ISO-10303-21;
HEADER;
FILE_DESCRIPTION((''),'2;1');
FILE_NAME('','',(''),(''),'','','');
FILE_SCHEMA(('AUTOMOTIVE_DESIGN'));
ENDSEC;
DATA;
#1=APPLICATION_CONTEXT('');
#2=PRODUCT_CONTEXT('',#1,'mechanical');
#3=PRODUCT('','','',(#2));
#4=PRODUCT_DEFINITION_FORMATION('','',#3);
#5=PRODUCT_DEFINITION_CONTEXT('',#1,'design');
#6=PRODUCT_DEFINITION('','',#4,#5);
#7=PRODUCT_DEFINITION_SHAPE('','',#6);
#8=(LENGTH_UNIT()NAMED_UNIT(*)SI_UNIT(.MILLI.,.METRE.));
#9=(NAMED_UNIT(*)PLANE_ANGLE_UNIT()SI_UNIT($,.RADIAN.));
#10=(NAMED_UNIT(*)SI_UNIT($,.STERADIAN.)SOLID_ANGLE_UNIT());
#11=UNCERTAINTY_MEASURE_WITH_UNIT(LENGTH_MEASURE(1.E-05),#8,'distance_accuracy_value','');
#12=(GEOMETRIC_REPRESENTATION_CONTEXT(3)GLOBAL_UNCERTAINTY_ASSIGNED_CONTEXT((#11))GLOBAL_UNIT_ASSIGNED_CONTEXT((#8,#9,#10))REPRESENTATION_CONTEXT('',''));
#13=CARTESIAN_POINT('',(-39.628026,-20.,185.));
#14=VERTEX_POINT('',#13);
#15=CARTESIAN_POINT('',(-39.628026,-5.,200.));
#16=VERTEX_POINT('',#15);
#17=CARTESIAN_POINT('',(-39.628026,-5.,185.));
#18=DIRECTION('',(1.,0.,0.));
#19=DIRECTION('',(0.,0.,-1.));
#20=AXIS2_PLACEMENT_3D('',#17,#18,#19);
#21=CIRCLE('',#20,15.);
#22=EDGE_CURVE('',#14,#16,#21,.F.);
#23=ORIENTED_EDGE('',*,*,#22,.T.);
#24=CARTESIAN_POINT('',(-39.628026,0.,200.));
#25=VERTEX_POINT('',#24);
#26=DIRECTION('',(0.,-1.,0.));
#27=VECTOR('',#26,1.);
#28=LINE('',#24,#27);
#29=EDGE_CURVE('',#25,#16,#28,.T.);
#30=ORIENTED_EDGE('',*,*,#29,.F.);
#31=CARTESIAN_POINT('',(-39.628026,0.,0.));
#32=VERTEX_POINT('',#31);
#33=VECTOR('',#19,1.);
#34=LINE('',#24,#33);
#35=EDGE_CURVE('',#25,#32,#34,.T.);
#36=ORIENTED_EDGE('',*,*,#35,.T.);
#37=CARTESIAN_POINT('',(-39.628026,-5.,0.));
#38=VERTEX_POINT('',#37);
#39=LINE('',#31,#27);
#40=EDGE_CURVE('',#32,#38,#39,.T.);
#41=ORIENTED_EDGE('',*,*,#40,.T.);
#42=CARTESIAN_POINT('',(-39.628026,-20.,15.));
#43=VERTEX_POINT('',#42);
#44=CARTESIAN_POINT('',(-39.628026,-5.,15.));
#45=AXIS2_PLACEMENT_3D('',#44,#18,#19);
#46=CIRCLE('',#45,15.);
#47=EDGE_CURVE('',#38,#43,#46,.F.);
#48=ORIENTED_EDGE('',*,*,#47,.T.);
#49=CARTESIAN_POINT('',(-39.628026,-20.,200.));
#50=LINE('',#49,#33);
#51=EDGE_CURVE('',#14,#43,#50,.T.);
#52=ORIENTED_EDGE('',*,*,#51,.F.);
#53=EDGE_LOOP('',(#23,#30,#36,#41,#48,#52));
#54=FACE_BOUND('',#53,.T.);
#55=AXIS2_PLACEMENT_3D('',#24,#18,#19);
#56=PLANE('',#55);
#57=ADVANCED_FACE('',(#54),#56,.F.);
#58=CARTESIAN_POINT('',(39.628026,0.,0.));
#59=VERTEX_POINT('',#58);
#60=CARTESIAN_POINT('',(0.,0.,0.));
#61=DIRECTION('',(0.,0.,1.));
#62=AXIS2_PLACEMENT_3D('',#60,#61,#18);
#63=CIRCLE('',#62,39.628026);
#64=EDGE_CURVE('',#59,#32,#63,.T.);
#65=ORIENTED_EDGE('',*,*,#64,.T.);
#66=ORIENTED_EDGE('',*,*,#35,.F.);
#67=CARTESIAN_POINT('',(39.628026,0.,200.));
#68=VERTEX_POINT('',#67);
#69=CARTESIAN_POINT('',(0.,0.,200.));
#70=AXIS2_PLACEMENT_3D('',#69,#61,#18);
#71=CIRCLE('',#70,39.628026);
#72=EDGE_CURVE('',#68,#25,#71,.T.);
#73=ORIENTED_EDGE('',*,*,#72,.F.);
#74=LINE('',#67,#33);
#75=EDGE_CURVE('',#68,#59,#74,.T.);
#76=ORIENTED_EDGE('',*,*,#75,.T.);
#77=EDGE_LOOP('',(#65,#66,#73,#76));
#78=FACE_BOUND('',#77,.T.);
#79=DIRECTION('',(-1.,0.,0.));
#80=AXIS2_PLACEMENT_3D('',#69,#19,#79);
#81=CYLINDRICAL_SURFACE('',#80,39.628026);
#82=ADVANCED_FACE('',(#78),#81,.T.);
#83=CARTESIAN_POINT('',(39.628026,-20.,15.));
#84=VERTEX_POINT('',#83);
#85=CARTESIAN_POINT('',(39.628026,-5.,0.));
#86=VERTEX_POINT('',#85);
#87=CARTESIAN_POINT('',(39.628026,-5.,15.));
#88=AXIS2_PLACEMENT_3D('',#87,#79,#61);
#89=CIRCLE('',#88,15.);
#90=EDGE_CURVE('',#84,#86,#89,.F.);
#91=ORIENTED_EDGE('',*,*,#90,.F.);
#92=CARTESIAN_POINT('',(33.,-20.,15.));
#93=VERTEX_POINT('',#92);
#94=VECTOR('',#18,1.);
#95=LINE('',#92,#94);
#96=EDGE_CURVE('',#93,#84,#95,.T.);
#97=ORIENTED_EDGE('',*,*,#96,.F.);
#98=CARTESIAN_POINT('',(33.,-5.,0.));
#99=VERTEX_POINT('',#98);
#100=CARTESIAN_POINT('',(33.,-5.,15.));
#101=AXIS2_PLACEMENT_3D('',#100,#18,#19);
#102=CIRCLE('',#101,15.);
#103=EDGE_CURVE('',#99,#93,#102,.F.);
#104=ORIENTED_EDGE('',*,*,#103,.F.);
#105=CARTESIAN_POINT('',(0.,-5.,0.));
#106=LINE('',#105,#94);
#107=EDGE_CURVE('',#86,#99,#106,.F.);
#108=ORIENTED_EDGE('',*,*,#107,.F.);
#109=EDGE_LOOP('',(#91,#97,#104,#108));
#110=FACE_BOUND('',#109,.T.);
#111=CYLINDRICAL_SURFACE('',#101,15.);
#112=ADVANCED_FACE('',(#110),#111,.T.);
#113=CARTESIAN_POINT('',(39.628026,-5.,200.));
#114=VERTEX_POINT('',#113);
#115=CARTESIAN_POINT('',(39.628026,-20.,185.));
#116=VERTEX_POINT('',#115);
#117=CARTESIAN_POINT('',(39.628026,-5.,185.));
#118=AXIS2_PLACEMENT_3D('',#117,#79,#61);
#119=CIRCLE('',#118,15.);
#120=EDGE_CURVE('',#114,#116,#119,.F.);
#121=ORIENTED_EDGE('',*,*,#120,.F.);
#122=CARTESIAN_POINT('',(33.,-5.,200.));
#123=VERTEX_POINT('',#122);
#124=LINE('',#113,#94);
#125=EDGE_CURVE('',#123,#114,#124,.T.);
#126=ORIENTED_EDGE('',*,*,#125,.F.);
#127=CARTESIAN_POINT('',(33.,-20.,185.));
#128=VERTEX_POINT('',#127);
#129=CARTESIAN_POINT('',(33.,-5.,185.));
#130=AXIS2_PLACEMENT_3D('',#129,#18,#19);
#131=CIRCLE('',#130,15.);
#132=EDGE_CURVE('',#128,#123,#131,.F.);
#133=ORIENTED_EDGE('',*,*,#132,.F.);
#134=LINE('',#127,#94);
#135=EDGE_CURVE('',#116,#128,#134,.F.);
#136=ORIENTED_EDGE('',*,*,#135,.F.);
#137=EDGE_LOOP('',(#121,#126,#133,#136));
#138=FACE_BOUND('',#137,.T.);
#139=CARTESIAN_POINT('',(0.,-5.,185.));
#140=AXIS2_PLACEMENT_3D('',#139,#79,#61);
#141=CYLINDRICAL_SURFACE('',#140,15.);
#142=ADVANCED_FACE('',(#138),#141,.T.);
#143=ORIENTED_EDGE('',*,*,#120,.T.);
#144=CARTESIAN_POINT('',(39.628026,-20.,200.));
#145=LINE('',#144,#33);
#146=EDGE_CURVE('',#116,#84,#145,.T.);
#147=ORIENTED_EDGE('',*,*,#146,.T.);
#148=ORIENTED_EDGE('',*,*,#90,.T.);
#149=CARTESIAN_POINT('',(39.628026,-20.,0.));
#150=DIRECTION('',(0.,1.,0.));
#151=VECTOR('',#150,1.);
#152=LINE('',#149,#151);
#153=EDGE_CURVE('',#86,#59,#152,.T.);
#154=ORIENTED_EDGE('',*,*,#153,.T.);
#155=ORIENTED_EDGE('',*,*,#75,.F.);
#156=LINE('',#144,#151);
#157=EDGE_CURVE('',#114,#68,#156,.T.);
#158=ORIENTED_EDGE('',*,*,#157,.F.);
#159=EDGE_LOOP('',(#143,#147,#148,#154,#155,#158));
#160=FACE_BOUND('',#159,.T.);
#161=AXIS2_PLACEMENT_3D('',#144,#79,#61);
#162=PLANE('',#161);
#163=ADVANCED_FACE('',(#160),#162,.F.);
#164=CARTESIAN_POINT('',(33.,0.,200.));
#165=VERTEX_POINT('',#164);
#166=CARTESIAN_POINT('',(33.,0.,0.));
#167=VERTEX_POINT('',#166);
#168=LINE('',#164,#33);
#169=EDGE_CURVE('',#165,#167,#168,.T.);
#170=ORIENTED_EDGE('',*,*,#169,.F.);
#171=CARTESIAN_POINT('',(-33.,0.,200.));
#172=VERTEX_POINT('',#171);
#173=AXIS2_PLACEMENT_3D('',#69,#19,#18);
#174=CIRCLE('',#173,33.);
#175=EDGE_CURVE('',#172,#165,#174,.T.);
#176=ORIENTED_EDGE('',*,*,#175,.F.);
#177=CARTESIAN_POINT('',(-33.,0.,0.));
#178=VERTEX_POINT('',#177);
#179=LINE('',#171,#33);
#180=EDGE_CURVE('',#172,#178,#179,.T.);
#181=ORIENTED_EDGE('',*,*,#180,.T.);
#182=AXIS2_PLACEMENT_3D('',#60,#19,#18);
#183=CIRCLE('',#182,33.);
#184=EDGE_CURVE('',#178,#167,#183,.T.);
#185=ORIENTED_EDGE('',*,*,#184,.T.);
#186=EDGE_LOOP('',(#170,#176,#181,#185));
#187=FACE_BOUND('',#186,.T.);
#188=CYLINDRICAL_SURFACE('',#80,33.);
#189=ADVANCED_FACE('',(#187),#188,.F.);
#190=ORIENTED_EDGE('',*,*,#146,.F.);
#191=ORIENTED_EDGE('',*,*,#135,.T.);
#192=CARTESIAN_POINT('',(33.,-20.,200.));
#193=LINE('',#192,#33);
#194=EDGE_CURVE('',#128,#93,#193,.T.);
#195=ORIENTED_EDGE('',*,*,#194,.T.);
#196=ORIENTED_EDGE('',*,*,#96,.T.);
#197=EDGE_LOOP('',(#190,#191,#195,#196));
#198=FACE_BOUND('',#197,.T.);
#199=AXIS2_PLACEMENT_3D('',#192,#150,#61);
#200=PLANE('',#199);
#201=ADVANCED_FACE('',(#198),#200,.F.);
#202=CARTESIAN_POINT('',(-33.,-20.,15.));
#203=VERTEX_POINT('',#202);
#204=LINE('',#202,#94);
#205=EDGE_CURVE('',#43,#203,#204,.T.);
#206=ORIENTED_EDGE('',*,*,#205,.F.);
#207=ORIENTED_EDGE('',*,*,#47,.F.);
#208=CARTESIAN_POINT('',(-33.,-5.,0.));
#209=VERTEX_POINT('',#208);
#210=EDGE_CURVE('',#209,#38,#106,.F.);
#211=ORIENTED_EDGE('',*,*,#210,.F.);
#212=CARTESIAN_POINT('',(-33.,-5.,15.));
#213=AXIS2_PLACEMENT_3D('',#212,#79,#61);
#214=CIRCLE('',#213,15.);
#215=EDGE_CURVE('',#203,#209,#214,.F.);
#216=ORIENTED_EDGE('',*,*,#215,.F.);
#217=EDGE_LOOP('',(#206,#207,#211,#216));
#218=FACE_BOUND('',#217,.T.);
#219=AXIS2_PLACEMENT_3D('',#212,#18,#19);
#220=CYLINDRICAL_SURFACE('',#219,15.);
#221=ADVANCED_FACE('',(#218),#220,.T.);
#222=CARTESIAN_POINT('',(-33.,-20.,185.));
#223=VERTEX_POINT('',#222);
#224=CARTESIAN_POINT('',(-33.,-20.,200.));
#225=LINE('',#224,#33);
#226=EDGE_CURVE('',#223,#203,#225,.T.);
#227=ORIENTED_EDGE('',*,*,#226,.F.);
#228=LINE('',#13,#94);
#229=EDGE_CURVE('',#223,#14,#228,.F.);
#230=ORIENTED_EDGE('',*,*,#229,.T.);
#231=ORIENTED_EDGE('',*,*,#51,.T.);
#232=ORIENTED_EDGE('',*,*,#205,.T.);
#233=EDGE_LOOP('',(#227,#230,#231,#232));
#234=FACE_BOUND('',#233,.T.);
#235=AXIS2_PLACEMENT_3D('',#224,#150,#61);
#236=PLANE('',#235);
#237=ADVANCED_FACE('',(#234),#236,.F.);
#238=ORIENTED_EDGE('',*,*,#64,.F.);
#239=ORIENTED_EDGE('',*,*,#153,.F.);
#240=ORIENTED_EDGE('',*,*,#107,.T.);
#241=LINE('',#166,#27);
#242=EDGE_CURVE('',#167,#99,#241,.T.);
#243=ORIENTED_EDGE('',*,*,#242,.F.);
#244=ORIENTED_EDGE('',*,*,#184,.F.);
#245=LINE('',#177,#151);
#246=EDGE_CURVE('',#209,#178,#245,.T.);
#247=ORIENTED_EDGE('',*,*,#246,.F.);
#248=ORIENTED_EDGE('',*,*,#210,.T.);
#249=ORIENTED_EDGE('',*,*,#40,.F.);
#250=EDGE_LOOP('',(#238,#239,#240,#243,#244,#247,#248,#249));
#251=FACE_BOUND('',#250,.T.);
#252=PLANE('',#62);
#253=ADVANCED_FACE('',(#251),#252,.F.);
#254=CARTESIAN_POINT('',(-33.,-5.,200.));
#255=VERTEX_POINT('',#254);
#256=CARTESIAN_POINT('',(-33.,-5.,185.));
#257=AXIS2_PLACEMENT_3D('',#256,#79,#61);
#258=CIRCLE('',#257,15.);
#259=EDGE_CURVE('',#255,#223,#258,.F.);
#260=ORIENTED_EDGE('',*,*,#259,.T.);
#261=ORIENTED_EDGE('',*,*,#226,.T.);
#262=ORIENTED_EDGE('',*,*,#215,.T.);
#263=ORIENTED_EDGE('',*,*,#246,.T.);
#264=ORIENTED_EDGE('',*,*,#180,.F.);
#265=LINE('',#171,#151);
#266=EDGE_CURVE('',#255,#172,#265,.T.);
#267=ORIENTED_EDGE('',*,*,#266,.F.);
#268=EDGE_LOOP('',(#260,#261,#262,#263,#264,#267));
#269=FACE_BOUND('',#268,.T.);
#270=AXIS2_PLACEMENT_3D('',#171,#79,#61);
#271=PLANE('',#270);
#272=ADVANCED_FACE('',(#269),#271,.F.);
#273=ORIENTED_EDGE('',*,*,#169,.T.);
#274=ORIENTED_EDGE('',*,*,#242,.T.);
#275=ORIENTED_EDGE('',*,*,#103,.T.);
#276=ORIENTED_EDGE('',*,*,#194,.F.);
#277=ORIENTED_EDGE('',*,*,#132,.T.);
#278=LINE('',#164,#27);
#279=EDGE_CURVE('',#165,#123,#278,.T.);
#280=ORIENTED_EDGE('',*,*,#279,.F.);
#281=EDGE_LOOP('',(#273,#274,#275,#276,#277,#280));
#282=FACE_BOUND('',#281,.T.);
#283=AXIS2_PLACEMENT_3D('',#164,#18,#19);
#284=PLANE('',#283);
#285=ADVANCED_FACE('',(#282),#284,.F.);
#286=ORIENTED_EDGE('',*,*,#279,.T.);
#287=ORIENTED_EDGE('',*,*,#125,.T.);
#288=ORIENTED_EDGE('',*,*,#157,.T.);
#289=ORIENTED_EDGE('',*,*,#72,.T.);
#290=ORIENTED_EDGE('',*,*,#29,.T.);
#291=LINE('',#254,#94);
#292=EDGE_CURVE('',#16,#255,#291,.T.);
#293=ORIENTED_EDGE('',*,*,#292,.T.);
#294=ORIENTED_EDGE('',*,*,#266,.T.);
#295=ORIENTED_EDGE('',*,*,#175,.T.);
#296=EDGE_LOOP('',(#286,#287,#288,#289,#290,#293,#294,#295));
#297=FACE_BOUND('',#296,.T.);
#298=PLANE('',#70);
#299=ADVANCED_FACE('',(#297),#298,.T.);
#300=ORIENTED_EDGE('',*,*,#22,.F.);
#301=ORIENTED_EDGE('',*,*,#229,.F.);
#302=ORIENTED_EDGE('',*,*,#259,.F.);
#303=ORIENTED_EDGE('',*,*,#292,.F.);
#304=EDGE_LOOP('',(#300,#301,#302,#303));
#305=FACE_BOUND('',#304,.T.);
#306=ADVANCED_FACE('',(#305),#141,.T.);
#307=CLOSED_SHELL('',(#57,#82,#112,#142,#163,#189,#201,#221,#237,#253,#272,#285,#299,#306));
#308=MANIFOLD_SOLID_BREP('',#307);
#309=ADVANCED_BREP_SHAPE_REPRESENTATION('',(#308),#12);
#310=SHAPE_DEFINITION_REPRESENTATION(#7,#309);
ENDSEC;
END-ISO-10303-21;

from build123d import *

# Parameters (mm, degrees)
ESTRUSIONE_ESTRUSIONE2_DEPTH = 200
SCHIZZO2_W                   = 6.628026169
SCHIZZO2_H                   = 20
ESTRUSIONE_ESTRUSIONE3_DEPTH = 200
RACCORDO3_R                  = 15


with BuildPart() as part:
    # Schizzo1 → Estrusione-Estrusione2 (new body)
    with BuildSketch(Plane.XY):
        with BuildLine():
            Line((-39.628026169, 0), (-33, 0))
            ThreePointArc((-33, 0), (0, 33), (33, 0))
            Line((33, 0), (39.628026169, 0))
            ThreePointArc((39.628026169, 0), (0, 39.628026169), (-39.628026169, 0))
        make_face()
    extrude(amount=ESTRUSIONE_ESTRUSIONE2_DEPTH)

    # Schizzo2 → Estrusione-Estrusione3 (add)
    with BuildSketch(Plane.XY):
        with Locations((-36.314013085, -10)):
            Rectangle(SCHIZZO2_W, SCHIZZO2_H)
        with Locations((36.314013085, -10)):
            Rectangle(SCHIZZO2_W, SCHIZZO2_H)
    extrude(amount=ESTRUSIONE_ESTRUSIONE3_DEPTH)

    # Raccordo3
    raccordo3_edges = [part.edges().sort_by_distance(p)[0] for p in [
        (-36.314013085, -20, 0),
        (-36.314013085, -20, 200),
        (36.314013085, -20, 0),
        (36.314013085, -20, 200),
    ]]
    fillet(raccordo3_edges, radius=RACCORDO3_R)


solid = part.part
